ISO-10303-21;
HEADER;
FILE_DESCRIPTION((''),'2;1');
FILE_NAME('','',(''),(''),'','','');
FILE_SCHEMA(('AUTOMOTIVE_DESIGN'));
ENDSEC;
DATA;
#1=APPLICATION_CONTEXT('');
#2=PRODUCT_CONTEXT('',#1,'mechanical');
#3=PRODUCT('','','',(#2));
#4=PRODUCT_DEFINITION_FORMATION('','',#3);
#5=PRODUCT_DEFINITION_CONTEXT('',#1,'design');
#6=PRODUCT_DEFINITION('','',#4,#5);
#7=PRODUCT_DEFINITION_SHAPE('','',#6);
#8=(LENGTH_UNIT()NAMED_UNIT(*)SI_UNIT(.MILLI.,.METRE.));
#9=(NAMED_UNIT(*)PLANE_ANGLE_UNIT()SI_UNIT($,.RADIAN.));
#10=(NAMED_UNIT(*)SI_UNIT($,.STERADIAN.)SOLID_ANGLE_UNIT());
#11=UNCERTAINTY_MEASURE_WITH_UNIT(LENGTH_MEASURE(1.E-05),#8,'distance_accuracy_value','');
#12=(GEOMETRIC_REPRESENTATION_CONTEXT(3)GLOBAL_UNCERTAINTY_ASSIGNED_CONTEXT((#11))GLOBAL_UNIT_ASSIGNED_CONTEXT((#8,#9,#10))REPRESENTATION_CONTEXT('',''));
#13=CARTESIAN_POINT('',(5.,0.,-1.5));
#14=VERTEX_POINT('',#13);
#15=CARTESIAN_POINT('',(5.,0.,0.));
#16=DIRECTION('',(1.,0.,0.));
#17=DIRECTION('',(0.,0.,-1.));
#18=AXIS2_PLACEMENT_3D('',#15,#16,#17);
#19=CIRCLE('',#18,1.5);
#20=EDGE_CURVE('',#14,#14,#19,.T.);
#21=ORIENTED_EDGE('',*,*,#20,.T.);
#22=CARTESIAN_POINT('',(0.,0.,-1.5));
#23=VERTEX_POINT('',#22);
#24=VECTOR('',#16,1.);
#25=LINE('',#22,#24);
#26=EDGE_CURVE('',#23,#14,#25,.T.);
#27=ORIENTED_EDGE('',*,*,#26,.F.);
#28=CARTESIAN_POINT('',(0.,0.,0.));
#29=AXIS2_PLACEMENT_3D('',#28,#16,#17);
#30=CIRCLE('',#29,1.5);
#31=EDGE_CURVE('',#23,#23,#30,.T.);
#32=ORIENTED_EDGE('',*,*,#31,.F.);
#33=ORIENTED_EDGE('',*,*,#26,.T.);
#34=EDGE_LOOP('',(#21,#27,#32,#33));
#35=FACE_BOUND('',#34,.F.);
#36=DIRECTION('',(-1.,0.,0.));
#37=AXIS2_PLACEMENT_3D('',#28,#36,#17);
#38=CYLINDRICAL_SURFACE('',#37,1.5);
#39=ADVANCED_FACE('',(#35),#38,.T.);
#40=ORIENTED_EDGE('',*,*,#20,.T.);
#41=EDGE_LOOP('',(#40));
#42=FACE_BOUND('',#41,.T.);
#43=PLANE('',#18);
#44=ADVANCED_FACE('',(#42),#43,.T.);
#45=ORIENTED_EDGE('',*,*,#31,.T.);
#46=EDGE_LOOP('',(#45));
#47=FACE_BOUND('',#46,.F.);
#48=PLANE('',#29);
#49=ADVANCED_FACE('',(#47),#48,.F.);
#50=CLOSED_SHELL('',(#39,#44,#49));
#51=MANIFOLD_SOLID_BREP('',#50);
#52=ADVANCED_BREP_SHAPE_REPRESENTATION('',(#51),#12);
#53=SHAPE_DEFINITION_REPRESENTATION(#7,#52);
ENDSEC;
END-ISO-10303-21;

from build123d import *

# Parameters (mm, degrees)
SKETCH1_R           = 1.5
BOSS_EXTRUDE1_DEPTH = 5


with BuildPart() as part:
    # Sketch1 → Boss-Extrude1 (new body)
    with BuildSketch(Plane(origin=(0, 0, 0), x_dir=(0, 0, -1), z_dir=(1, 0, 0))):
        Circle(SKETCH1_R)
    extrude(amount=BOSS_EXTRUDE1_DEPTH)


solid = part.part
